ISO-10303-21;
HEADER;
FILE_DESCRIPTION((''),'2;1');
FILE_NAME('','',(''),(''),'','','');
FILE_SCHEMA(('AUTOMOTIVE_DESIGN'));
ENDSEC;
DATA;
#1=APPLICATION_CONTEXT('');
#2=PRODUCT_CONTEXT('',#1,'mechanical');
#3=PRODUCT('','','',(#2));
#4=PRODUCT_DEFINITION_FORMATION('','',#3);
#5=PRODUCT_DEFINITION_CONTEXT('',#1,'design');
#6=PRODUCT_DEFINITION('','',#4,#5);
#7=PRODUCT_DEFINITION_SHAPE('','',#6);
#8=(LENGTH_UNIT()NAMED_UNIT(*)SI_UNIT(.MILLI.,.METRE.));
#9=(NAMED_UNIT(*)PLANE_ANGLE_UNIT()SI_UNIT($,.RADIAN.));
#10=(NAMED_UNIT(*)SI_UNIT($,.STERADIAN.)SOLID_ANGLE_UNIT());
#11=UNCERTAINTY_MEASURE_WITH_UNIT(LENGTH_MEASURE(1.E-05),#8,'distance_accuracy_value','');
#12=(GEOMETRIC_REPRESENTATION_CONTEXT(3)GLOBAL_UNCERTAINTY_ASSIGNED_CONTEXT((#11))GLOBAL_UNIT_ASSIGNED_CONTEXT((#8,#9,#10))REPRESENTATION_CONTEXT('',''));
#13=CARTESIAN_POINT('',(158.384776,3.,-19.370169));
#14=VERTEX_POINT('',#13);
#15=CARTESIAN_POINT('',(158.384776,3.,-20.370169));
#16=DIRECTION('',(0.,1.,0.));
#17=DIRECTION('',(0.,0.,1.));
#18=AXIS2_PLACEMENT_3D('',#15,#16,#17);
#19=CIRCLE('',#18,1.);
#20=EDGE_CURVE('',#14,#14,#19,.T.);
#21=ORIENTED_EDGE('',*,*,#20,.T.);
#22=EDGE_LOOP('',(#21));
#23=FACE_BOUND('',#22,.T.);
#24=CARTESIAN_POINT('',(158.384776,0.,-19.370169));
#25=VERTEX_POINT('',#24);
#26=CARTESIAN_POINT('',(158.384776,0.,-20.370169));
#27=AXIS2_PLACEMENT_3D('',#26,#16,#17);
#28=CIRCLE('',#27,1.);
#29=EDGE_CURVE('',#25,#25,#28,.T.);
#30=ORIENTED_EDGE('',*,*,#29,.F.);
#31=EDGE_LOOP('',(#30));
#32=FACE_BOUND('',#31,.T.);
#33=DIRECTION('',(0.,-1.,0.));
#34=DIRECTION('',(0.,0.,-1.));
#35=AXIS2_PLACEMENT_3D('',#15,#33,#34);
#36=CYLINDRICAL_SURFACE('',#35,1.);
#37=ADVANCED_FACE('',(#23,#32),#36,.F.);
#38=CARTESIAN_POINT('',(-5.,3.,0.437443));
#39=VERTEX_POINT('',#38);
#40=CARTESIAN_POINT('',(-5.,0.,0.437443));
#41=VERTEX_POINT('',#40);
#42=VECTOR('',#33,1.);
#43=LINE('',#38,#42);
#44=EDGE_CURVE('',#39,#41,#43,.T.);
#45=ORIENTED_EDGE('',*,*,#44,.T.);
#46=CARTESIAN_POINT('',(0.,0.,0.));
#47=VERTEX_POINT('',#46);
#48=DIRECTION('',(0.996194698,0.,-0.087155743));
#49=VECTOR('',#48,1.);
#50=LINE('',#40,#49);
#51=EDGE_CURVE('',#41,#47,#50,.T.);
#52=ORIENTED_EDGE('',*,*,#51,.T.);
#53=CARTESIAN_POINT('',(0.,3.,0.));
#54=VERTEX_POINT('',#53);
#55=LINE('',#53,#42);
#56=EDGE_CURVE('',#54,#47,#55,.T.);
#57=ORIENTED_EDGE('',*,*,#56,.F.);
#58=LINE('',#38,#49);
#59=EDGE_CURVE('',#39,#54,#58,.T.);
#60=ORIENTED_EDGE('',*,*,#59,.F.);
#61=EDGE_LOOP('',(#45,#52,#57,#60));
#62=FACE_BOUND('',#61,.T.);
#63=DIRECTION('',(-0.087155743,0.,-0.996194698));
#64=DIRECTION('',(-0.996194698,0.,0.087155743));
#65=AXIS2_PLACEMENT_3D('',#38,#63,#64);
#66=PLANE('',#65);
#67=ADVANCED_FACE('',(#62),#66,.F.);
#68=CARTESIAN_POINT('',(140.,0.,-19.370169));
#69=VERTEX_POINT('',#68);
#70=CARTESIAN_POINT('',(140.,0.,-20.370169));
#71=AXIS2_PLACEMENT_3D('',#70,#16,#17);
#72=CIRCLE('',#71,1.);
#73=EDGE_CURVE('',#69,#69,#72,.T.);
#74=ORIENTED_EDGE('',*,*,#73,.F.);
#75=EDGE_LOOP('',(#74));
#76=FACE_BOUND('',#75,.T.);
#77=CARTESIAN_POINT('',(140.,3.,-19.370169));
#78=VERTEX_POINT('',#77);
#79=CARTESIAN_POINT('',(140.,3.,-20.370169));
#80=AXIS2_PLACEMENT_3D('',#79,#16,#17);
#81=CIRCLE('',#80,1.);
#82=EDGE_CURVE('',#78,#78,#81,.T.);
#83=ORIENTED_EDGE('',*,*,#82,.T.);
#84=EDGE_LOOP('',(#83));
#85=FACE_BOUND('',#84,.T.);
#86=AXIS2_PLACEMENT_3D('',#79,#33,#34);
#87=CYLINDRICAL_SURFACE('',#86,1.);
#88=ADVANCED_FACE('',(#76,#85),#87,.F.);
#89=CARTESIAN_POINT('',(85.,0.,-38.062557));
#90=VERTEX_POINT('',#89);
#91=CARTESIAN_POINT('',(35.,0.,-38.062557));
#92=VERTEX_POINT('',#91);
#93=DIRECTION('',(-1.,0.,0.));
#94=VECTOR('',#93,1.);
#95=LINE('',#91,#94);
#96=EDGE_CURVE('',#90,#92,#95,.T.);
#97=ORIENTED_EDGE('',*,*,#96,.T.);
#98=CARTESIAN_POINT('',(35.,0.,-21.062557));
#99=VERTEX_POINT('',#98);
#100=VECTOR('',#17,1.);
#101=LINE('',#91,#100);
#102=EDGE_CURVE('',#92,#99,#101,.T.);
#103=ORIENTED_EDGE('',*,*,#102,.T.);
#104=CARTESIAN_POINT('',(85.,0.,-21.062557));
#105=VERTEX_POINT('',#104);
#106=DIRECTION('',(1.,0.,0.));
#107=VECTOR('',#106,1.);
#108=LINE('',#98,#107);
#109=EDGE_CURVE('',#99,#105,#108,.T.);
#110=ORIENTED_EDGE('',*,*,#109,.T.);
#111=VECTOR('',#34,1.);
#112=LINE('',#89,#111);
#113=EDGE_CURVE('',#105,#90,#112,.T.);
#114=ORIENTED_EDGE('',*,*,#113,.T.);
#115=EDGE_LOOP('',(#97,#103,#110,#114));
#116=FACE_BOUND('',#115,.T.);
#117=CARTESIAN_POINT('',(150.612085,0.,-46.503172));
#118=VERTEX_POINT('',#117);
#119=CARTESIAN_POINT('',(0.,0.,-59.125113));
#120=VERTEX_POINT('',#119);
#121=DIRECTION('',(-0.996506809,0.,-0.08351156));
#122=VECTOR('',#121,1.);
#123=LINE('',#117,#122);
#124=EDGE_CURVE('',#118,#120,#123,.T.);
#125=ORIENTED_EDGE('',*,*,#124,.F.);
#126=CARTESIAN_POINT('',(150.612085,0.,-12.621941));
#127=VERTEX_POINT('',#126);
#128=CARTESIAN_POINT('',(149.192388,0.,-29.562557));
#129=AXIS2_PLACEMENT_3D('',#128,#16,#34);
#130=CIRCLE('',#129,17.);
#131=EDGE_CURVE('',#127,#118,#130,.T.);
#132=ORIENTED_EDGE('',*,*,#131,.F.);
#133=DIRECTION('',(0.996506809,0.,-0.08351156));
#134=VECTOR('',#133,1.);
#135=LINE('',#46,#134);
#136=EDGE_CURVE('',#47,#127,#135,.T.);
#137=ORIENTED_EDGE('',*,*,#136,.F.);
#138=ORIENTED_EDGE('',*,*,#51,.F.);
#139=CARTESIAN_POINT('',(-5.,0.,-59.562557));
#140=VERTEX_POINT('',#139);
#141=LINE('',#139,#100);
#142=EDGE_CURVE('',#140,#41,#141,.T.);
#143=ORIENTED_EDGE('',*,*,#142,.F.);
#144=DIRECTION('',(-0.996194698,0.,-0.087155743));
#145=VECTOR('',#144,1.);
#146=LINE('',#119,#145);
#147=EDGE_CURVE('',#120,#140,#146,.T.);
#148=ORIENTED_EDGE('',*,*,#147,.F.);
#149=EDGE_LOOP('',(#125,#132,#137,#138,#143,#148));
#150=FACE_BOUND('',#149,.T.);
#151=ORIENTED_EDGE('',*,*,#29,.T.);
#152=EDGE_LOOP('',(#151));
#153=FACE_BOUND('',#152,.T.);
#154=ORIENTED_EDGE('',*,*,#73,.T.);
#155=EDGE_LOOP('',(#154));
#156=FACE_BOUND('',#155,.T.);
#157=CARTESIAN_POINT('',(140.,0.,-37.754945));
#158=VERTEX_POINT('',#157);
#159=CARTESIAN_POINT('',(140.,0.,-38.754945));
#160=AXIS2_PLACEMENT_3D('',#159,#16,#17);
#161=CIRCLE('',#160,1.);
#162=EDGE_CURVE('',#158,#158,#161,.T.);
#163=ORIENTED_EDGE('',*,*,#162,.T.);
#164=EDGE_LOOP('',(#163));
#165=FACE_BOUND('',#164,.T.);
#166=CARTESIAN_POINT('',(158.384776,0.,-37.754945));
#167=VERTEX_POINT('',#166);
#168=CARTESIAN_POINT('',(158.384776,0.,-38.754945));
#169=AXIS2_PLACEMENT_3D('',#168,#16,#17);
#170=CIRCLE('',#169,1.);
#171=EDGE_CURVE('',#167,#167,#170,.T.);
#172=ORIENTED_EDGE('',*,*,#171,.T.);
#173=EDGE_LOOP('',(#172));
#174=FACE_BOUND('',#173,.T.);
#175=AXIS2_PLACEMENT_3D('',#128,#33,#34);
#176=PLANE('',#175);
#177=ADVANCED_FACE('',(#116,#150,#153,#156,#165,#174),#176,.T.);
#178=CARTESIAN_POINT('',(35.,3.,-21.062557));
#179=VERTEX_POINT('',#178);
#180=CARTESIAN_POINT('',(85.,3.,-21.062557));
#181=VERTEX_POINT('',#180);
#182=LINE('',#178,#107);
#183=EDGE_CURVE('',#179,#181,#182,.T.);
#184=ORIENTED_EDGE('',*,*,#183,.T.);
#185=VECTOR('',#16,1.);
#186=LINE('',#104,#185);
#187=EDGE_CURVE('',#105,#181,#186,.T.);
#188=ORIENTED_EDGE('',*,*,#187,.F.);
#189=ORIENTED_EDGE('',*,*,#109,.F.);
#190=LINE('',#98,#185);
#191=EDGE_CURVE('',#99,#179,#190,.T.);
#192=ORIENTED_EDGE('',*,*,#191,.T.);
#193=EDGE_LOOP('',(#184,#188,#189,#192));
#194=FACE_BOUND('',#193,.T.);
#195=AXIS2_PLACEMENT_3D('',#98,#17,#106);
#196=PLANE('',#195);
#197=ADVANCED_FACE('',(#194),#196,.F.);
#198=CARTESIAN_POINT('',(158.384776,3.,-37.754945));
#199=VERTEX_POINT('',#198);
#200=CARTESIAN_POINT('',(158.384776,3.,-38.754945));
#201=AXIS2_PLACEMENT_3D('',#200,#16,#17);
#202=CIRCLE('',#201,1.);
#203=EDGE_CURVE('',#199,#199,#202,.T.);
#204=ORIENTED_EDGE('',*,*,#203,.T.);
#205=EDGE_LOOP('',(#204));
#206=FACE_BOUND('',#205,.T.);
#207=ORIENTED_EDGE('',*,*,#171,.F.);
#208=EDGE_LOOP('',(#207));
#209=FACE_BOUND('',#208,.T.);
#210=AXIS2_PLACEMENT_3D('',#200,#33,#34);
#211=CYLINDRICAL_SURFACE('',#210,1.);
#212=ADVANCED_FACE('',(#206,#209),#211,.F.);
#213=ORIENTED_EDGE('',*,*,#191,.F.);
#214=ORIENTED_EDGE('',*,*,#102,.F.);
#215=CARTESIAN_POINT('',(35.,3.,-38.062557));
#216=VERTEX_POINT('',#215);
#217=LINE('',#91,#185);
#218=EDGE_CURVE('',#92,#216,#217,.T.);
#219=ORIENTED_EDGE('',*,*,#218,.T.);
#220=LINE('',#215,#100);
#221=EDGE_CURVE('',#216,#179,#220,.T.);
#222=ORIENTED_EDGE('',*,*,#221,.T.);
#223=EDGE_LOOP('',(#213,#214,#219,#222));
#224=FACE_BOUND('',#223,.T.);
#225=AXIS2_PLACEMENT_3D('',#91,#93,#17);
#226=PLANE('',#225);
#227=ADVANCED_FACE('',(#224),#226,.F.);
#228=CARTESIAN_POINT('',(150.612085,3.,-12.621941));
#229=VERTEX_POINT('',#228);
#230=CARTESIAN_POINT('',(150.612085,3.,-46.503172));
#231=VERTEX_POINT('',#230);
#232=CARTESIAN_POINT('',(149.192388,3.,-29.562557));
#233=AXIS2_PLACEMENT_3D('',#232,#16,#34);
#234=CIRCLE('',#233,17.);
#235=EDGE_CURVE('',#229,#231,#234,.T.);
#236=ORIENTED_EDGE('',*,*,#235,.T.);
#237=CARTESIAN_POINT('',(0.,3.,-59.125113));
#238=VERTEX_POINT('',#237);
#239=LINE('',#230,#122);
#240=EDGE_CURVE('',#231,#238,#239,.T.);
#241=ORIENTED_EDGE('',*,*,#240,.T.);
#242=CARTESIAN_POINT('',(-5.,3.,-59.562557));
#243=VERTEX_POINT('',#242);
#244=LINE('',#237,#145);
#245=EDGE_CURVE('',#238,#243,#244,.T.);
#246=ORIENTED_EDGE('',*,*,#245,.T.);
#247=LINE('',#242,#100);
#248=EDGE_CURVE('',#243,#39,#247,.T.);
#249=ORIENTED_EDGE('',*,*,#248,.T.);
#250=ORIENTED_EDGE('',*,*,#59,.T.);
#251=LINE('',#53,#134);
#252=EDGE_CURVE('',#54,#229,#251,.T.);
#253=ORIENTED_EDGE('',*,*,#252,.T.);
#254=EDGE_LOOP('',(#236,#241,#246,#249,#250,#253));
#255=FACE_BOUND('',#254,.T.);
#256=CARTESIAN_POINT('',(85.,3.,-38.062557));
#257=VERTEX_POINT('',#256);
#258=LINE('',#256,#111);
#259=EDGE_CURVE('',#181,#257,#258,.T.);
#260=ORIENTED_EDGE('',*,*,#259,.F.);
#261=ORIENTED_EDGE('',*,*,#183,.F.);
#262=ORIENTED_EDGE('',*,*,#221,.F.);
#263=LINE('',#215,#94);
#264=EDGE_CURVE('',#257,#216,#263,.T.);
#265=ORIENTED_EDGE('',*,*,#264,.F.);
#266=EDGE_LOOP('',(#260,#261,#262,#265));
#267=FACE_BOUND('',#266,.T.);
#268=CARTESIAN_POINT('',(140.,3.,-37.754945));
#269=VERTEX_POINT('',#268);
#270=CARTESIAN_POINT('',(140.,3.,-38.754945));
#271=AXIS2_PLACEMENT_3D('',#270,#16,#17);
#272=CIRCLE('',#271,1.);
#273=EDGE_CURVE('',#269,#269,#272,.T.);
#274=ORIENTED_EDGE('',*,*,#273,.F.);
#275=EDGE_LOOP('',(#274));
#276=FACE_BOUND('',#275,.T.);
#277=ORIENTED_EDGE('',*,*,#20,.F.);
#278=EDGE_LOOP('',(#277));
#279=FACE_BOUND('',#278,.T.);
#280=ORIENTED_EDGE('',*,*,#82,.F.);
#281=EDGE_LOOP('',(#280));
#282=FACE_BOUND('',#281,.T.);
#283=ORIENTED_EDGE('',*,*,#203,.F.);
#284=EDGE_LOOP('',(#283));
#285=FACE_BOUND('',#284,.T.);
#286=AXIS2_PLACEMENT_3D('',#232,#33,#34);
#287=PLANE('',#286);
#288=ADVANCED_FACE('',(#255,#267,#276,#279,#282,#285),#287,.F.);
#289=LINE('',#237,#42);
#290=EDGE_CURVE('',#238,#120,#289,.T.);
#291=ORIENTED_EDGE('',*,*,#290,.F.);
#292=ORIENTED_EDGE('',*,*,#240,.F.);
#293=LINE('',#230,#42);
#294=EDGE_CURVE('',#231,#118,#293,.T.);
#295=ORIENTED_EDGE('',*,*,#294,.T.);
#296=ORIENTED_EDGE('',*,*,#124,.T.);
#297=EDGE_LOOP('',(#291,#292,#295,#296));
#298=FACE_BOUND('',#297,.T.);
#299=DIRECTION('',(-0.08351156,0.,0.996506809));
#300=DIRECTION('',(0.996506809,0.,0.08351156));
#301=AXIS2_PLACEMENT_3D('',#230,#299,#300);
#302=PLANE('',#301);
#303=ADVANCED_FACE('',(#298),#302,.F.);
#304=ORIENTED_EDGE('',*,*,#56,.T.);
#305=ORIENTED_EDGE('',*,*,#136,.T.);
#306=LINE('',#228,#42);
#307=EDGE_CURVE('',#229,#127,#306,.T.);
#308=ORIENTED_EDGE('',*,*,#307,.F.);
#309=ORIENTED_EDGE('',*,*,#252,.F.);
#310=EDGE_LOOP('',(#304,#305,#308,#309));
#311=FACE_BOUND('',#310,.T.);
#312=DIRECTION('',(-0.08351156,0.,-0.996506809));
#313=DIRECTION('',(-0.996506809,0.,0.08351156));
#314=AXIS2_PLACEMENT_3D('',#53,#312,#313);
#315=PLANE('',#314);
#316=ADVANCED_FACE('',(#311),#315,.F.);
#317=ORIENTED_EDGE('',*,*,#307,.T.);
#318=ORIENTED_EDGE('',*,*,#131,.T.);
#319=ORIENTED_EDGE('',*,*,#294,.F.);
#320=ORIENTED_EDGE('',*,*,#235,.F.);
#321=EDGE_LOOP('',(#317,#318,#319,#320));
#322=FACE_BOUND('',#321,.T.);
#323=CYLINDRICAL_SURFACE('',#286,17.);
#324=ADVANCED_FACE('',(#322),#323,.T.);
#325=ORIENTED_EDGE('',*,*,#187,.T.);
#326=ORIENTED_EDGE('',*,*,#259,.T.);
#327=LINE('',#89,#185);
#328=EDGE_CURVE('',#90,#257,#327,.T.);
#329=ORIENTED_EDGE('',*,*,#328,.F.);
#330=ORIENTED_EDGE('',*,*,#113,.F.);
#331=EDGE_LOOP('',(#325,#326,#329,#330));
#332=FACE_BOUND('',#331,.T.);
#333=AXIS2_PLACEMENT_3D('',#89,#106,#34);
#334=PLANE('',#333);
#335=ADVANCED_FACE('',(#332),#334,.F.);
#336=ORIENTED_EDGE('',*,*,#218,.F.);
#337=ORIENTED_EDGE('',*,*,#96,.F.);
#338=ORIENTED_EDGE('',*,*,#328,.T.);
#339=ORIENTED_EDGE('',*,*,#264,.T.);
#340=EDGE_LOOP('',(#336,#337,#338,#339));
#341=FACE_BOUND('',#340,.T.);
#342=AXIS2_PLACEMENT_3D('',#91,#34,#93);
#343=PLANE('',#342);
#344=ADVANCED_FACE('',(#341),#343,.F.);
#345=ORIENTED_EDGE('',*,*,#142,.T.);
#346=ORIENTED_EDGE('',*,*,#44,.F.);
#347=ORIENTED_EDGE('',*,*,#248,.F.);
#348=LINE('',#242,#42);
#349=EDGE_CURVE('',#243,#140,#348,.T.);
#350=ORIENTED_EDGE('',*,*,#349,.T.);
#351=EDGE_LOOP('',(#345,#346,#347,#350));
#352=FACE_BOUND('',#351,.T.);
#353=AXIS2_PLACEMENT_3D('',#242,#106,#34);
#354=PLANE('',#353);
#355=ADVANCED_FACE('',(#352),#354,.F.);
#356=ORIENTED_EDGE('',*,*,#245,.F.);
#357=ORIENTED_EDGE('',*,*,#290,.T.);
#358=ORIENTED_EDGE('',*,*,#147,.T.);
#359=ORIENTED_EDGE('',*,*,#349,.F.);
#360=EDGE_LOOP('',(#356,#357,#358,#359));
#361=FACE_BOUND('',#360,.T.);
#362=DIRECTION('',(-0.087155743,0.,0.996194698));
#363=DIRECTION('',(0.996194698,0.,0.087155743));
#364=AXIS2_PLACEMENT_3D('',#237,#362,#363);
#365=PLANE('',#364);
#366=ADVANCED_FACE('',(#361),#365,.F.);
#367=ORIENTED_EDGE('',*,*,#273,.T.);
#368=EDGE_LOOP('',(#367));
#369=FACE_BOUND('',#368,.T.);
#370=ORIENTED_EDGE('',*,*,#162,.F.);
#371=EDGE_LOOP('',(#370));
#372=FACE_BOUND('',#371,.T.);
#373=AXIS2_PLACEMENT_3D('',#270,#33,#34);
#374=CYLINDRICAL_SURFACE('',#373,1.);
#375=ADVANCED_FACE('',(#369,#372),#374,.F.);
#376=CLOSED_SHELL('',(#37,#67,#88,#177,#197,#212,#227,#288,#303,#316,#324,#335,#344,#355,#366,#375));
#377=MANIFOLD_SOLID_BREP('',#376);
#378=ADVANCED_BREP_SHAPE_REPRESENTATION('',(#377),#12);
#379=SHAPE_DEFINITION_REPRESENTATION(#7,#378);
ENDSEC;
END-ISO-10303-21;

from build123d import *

# Parameters (mm, degrees)
SKETCH1_R           = 1
BOSS_EXTRUDE1_DEPTH = 3
SKETCH2_W           = 50
SKETCH2_H           = 17
CUT_EXTRUDE1_DEPTH  = 177.568989461


with BuildPart() as part:
    # Sketch1 → Boss-Extrude1 (new body)
    with BuildSketch(Plane(origin=(0, 0, 0), x_dir=(1, 0, 0), z_dir=(0, 1, 0))):
        with BuildLine():
            Line((0, 0), (150.612084668, 12.621940938))
            ThreePointArc((150.612084668, 12.621940938), (166.192388155, 29.562556682), (150.612084668, 46.503172427))
            Line((150.612084668, 46.503172427), (0, 59.125113365))
            Line((0, 59.125113365), (-5, 59.562556682))
            Line((-5, 59.562556682), (-5, -0.437443318))
            Line((-5, -0.437443318), (0, 0))
        make_face()
        with Locations(Location((140, 38.754944838, 0), (0, 0, 270))):
            Circle(SKETCH1_R, mode=Mode.SUBTRACT)
        with Locations(Location((140, 20.370168527, 0), (0, 0, 270))):
            Circle(SKETCH1_R, mode=Mode.SUBTRACT)
        with Locations(Location((158.384776311, 20.370168527, 0), (0, 0, 270))):
            Circle(SKETCH1_R, mode=Mode.SUBTRACT)
        with Locations(Location((158.384776311, 38.754944838, 0), (0, 0, 270))):
            Circle(SKETCH1_R, mode=Mode.SUBTRACT)
    extrude(amount=BOSS_EXTRUDE1_DEPTH)

    # Sketch2 → Cut-Extrude1 (cut, through all)
    with BuildSketch(Plane(origin=(0, 3, 0), x_dir=(1, 0, 0), z_dir=(0, 1, 0))):
        with Locations((60, 29.562556682)):
            Rectangle(SKETCH2_W, SKETCH2_H)
    extrude(amount=-CUT_EXTRUDE1_DEPTH, mode=Mode.SUBTRACT)


solid = part.part
